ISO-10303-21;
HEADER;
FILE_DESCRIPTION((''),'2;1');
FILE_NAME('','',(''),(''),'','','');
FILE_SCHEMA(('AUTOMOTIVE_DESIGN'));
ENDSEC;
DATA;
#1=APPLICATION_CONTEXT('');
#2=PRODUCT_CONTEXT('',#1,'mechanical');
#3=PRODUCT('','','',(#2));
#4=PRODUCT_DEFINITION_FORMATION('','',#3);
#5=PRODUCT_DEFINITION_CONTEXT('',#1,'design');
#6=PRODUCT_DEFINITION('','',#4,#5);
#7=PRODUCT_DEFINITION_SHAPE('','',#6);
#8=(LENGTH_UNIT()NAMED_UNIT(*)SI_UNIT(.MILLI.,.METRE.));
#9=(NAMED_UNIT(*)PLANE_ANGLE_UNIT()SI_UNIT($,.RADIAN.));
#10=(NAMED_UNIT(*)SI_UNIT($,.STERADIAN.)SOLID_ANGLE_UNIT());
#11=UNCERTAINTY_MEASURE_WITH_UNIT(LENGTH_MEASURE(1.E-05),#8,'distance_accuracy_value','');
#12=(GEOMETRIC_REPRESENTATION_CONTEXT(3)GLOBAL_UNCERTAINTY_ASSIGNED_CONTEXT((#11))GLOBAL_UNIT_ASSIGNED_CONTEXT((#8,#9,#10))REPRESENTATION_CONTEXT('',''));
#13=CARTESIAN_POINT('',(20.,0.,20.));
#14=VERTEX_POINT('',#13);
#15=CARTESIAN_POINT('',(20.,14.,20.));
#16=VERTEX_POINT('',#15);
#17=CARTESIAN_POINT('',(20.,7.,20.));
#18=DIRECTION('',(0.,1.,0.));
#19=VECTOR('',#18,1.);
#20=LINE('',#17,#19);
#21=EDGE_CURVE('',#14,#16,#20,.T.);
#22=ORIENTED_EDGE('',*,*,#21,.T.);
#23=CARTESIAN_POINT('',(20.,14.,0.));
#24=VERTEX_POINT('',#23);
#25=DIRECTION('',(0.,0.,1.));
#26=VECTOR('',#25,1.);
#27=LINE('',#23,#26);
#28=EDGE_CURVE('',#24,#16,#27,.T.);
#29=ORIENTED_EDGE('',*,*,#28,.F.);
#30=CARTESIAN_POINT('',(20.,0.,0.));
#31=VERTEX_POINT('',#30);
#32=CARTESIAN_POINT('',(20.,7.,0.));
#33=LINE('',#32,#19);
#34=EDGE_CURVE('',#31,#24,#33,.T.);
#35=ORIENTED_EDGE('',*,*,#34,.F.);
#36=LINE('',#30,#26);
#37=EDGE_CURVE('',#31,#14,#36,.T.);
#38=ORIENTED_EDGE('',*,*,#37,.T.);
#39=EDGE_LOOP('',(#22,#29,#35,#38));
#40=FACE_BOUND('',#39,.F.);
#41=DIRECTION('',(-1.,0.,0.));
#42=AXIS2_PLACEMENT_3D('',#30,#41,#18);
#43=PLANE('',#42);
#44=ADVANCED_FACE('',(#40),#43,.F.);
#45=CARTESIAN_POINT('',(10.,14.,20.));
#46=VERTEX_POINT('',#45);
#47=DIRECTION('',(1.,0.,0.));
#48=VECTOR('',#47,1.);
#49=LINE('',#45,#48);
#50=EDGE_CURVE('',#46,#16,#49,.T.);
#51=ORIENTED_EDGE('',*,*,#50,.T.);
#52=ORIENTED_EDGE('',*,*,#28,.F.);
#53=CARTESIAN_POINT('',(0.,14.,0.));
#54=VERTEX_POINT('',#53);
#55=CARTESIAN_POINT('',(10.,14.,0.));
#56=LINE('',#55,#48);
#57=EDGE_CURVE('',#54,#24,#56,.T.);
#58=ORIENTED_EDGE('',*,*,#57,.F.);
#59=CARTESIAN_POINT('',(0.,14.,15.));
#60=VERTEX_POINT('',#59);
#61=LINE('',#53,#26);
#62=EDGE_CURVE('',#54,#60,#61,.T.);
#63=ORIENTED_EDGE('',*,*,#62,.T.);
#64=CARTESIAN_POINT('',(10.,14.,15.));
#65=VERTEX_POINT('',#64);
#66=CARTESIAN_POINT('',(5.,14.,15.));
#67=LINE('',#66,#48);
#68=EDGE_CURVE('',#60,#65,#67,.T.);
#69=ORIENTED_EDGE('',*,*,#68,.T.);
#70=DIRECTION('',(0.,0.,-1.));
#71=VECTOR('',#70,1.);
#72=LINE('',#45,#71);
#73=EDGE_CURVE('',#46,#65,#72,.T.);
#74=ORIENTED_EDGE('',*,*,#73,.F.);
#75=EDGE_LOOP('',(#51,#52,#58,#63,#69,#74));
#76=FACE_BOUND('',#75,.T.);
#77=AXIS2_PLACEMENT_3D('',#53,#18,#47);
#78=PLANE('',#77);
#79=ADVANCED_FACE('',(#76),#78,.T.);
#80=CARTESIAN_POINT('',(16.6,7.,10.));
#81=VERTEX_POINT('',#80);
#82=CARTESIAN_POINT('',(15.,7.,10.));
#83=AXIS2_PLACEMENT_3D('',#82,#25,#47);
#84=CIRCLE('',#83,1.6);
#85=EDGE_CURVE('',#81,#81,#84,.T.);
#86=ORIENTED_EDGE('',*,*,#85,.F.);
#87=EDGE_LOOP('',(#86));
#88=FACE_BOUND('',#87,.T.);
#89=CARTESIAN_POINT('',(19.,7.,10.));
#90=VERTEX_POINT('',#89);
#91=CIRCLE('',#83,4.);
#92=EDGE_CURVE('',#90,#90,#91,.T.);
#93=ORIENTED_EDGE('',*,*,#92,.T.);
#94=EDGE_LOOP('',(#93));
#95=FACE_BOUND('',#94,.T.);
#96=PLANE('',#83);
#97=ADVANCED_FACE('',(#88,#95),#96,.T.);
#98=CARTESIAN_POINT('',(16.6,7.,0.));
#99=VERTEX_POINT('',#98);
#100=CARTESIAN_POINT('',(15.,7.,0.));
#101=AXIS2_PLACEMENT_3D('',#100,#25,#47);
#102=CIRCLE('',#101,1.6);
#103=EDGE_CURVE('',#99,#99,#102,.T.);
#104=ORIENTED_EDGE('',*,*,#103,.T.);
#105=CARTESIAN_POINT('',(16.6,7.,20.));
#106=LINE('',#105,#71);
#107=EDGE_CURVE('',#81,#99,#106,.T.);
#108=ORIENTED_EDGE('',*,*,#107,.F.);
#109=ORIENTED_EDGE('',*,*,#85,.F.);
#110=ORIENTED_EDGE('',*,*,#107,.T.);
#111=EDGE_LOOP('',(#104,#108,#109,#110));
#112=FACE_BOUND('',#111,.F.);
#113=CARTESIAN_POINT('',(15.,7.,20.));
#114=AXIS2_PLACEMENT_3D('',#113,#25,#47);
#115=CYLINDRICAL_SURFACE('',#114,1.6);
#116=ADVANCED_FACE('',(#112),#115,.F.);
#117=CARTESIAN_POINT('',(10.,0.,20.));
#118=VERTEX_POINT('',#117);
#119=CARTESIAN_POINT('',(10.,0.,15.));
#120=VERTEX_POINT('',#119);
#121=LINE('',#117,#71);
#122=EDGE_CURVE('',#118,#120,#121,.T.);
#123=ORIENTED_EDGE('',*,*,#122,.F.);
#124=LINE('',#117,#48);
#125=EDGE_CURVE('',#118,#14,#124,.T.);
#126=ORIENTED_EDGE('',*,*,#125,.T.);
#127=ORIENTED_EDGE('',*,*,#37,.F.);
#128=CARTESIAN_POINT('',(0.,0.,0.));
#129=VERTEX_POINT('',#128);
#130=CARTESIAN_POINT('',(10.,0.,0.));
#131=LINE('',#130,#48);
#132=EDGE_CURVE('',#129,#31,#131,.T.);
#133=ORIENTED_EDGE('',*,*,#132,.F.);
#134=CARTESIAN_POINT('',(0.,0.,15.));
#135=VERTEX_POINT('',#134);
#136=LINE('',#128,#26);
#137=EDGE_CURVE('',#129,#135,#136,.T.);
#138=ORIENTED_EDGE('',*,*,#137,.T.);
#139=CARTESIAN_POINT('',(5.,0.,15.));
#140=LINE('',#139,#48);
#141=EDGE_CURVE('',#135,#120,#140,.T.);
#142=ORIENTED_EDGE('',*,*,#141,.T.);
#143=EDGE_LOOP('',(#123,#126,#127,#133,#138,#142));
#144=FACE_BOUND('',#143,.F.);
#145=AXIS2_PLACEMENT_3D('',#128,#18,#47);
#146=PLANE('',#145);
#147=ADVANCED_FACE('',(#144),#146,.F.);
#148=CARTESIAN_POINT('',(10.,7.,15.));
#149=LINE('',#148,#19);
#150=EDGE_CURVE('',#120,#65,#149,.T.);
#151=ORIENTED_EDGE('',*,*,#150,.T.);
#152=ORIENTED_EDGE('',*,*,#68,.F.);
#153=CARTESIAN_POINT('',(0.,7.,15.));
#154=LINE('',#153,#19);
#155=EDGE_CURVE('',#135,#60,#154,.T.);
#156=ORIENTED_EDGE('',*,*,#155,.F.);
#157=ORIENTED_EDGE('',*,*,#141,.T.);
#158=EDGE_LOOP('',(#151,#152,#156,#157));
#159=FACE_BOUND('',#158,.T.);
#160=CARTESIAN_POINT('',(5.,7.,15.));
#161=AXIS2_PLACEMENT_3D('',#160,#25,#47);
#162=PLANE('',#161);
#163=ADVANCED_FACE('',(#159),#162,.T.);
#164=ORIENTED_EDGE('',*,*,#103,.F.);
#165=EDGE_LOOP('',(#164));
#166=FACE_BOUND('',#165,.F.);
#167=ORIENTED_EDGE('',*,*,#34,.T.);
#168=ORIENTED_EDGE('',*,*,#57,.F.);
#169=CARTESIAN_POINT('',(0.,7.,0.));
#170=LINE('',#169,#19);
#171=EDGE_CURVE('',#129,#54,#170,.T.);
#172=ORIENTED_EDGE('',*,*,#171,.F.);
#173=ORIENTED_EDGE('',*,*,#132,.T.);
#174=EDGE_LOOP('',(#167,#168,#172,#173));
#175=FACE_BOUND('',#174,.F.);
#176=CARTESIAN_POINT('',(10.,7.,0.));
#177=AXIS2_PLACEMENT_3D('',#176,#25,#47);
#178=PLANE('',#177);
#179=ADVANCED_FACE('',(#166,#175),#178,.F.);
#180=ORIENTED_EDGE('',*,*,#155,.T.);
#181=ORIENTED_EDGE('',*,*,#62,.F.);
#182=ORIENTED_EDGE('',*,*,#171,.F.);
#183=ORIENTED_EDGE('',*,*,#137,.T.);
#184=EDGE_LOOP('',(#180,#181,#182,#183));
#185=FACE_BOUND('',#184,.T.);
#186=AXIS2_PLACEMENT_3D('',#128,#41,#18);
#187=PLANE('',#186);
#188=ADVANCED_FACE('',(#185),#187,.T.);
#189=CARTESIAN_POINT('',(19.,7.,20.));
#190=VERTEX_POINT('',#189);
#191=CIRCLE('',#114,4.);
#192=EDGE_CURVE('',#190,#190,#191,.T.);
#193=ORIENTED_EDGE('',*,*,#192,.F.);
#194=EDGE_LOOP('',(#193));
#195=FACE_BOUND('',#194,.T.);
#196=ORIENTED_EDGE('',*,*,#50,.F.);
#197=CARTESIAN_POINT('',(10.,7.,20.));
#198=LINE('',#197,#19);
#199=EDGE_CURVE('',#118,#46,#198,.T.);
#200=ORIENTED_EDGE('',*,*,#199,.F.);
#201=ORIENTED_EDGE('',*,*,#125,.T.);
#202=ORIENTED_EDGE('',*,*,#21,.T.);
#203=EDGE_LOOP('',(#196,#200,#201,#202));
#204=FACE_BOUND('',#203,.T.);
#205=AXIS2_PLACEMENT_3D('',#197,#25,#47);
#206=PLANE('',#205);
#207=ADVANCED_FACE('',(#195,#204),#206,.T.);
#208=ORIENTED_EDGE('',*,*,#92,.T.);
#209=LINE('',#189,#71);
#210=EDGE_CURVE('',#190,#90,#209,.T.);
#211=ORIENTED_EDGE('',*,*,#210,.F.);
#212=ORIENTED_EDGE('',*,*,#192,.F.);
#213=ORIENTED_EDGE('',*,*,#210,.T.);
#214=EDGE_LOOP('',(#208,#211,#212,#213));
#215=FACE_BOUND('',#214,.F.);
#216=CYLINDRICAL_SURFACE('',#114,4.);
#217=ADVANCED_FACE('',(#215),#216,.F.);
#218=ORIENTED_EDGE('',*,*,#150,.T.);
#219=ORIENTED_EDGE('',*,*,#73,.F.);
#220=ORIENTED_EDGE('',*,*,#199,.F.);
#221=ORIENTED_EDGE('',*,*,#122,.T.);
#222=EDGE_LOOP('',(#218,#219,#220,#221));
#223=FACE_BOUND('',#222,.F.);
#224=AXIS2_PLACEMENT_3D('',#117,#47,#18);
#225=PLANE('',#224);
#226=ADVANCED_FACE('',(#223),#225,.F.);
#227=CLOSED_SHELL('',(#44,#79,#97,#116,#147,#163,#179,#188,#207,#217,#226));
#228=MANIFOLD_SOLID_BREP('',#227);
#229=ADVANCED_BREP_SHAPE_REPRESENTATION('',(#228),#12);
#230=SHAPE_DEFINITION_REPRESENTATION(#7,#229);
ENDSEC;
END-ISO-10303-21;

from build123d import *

# Parameters (mm, degrees)
SKETCH_W        = 20
SKETCH_H        = 14
PAD_DEPTH       = 20
SKETCH001_W     = 10
SKETCH001_H     = 14
POCKET_DEPTH    = 5
SKETCH002_R     = 1.6
POCKET001_DEPTH = 20
SKETCH003_R     = 4
POCKET002_DEPTH = 10


with BuildPart() as part:
    # Sketch → Pad (new body)
    with BuildSketch(Plane.XY):
        with Locations((10, 7)):
            Rectangle(SKETCH_W, SKETCH_H)
    extrude(amount=PAD_DEPTH)

    # Sketch001 (on Face6 of Pad) → Pocket (cut)
    with BuildSketch(Plane.XY.offset(20)):
        with Locations((5, 7)):
            Rectangle(SKETCH001_W, SKETCH001_H)
    extrude(amount=-POCKET_DEPTH, mode=Mode.SUBTRACT)

    # Sketch002 (on Face4 of Pocket) → Pocket001 (cut)
    with BuildSketch(Plane.XY.offset(20)):
        with Locations((15, 7)):
            Circle(SKETCH002_R)
    extrude(amount=-POCKET001_DEPTH, mode=Mode.SUBTRACT)

    # Sketch003 (on Face4 of Pocket001) → Pocket002 (cut)
    with BuildSketch(Plane.XY.offset(20)):
        with Locations((15, 7)):
            Circle(SKETCH003_R)
    extrude(amount=-POCKET002_DEPTH, mode=Mode.SUBTRACT)


solid = part.part
